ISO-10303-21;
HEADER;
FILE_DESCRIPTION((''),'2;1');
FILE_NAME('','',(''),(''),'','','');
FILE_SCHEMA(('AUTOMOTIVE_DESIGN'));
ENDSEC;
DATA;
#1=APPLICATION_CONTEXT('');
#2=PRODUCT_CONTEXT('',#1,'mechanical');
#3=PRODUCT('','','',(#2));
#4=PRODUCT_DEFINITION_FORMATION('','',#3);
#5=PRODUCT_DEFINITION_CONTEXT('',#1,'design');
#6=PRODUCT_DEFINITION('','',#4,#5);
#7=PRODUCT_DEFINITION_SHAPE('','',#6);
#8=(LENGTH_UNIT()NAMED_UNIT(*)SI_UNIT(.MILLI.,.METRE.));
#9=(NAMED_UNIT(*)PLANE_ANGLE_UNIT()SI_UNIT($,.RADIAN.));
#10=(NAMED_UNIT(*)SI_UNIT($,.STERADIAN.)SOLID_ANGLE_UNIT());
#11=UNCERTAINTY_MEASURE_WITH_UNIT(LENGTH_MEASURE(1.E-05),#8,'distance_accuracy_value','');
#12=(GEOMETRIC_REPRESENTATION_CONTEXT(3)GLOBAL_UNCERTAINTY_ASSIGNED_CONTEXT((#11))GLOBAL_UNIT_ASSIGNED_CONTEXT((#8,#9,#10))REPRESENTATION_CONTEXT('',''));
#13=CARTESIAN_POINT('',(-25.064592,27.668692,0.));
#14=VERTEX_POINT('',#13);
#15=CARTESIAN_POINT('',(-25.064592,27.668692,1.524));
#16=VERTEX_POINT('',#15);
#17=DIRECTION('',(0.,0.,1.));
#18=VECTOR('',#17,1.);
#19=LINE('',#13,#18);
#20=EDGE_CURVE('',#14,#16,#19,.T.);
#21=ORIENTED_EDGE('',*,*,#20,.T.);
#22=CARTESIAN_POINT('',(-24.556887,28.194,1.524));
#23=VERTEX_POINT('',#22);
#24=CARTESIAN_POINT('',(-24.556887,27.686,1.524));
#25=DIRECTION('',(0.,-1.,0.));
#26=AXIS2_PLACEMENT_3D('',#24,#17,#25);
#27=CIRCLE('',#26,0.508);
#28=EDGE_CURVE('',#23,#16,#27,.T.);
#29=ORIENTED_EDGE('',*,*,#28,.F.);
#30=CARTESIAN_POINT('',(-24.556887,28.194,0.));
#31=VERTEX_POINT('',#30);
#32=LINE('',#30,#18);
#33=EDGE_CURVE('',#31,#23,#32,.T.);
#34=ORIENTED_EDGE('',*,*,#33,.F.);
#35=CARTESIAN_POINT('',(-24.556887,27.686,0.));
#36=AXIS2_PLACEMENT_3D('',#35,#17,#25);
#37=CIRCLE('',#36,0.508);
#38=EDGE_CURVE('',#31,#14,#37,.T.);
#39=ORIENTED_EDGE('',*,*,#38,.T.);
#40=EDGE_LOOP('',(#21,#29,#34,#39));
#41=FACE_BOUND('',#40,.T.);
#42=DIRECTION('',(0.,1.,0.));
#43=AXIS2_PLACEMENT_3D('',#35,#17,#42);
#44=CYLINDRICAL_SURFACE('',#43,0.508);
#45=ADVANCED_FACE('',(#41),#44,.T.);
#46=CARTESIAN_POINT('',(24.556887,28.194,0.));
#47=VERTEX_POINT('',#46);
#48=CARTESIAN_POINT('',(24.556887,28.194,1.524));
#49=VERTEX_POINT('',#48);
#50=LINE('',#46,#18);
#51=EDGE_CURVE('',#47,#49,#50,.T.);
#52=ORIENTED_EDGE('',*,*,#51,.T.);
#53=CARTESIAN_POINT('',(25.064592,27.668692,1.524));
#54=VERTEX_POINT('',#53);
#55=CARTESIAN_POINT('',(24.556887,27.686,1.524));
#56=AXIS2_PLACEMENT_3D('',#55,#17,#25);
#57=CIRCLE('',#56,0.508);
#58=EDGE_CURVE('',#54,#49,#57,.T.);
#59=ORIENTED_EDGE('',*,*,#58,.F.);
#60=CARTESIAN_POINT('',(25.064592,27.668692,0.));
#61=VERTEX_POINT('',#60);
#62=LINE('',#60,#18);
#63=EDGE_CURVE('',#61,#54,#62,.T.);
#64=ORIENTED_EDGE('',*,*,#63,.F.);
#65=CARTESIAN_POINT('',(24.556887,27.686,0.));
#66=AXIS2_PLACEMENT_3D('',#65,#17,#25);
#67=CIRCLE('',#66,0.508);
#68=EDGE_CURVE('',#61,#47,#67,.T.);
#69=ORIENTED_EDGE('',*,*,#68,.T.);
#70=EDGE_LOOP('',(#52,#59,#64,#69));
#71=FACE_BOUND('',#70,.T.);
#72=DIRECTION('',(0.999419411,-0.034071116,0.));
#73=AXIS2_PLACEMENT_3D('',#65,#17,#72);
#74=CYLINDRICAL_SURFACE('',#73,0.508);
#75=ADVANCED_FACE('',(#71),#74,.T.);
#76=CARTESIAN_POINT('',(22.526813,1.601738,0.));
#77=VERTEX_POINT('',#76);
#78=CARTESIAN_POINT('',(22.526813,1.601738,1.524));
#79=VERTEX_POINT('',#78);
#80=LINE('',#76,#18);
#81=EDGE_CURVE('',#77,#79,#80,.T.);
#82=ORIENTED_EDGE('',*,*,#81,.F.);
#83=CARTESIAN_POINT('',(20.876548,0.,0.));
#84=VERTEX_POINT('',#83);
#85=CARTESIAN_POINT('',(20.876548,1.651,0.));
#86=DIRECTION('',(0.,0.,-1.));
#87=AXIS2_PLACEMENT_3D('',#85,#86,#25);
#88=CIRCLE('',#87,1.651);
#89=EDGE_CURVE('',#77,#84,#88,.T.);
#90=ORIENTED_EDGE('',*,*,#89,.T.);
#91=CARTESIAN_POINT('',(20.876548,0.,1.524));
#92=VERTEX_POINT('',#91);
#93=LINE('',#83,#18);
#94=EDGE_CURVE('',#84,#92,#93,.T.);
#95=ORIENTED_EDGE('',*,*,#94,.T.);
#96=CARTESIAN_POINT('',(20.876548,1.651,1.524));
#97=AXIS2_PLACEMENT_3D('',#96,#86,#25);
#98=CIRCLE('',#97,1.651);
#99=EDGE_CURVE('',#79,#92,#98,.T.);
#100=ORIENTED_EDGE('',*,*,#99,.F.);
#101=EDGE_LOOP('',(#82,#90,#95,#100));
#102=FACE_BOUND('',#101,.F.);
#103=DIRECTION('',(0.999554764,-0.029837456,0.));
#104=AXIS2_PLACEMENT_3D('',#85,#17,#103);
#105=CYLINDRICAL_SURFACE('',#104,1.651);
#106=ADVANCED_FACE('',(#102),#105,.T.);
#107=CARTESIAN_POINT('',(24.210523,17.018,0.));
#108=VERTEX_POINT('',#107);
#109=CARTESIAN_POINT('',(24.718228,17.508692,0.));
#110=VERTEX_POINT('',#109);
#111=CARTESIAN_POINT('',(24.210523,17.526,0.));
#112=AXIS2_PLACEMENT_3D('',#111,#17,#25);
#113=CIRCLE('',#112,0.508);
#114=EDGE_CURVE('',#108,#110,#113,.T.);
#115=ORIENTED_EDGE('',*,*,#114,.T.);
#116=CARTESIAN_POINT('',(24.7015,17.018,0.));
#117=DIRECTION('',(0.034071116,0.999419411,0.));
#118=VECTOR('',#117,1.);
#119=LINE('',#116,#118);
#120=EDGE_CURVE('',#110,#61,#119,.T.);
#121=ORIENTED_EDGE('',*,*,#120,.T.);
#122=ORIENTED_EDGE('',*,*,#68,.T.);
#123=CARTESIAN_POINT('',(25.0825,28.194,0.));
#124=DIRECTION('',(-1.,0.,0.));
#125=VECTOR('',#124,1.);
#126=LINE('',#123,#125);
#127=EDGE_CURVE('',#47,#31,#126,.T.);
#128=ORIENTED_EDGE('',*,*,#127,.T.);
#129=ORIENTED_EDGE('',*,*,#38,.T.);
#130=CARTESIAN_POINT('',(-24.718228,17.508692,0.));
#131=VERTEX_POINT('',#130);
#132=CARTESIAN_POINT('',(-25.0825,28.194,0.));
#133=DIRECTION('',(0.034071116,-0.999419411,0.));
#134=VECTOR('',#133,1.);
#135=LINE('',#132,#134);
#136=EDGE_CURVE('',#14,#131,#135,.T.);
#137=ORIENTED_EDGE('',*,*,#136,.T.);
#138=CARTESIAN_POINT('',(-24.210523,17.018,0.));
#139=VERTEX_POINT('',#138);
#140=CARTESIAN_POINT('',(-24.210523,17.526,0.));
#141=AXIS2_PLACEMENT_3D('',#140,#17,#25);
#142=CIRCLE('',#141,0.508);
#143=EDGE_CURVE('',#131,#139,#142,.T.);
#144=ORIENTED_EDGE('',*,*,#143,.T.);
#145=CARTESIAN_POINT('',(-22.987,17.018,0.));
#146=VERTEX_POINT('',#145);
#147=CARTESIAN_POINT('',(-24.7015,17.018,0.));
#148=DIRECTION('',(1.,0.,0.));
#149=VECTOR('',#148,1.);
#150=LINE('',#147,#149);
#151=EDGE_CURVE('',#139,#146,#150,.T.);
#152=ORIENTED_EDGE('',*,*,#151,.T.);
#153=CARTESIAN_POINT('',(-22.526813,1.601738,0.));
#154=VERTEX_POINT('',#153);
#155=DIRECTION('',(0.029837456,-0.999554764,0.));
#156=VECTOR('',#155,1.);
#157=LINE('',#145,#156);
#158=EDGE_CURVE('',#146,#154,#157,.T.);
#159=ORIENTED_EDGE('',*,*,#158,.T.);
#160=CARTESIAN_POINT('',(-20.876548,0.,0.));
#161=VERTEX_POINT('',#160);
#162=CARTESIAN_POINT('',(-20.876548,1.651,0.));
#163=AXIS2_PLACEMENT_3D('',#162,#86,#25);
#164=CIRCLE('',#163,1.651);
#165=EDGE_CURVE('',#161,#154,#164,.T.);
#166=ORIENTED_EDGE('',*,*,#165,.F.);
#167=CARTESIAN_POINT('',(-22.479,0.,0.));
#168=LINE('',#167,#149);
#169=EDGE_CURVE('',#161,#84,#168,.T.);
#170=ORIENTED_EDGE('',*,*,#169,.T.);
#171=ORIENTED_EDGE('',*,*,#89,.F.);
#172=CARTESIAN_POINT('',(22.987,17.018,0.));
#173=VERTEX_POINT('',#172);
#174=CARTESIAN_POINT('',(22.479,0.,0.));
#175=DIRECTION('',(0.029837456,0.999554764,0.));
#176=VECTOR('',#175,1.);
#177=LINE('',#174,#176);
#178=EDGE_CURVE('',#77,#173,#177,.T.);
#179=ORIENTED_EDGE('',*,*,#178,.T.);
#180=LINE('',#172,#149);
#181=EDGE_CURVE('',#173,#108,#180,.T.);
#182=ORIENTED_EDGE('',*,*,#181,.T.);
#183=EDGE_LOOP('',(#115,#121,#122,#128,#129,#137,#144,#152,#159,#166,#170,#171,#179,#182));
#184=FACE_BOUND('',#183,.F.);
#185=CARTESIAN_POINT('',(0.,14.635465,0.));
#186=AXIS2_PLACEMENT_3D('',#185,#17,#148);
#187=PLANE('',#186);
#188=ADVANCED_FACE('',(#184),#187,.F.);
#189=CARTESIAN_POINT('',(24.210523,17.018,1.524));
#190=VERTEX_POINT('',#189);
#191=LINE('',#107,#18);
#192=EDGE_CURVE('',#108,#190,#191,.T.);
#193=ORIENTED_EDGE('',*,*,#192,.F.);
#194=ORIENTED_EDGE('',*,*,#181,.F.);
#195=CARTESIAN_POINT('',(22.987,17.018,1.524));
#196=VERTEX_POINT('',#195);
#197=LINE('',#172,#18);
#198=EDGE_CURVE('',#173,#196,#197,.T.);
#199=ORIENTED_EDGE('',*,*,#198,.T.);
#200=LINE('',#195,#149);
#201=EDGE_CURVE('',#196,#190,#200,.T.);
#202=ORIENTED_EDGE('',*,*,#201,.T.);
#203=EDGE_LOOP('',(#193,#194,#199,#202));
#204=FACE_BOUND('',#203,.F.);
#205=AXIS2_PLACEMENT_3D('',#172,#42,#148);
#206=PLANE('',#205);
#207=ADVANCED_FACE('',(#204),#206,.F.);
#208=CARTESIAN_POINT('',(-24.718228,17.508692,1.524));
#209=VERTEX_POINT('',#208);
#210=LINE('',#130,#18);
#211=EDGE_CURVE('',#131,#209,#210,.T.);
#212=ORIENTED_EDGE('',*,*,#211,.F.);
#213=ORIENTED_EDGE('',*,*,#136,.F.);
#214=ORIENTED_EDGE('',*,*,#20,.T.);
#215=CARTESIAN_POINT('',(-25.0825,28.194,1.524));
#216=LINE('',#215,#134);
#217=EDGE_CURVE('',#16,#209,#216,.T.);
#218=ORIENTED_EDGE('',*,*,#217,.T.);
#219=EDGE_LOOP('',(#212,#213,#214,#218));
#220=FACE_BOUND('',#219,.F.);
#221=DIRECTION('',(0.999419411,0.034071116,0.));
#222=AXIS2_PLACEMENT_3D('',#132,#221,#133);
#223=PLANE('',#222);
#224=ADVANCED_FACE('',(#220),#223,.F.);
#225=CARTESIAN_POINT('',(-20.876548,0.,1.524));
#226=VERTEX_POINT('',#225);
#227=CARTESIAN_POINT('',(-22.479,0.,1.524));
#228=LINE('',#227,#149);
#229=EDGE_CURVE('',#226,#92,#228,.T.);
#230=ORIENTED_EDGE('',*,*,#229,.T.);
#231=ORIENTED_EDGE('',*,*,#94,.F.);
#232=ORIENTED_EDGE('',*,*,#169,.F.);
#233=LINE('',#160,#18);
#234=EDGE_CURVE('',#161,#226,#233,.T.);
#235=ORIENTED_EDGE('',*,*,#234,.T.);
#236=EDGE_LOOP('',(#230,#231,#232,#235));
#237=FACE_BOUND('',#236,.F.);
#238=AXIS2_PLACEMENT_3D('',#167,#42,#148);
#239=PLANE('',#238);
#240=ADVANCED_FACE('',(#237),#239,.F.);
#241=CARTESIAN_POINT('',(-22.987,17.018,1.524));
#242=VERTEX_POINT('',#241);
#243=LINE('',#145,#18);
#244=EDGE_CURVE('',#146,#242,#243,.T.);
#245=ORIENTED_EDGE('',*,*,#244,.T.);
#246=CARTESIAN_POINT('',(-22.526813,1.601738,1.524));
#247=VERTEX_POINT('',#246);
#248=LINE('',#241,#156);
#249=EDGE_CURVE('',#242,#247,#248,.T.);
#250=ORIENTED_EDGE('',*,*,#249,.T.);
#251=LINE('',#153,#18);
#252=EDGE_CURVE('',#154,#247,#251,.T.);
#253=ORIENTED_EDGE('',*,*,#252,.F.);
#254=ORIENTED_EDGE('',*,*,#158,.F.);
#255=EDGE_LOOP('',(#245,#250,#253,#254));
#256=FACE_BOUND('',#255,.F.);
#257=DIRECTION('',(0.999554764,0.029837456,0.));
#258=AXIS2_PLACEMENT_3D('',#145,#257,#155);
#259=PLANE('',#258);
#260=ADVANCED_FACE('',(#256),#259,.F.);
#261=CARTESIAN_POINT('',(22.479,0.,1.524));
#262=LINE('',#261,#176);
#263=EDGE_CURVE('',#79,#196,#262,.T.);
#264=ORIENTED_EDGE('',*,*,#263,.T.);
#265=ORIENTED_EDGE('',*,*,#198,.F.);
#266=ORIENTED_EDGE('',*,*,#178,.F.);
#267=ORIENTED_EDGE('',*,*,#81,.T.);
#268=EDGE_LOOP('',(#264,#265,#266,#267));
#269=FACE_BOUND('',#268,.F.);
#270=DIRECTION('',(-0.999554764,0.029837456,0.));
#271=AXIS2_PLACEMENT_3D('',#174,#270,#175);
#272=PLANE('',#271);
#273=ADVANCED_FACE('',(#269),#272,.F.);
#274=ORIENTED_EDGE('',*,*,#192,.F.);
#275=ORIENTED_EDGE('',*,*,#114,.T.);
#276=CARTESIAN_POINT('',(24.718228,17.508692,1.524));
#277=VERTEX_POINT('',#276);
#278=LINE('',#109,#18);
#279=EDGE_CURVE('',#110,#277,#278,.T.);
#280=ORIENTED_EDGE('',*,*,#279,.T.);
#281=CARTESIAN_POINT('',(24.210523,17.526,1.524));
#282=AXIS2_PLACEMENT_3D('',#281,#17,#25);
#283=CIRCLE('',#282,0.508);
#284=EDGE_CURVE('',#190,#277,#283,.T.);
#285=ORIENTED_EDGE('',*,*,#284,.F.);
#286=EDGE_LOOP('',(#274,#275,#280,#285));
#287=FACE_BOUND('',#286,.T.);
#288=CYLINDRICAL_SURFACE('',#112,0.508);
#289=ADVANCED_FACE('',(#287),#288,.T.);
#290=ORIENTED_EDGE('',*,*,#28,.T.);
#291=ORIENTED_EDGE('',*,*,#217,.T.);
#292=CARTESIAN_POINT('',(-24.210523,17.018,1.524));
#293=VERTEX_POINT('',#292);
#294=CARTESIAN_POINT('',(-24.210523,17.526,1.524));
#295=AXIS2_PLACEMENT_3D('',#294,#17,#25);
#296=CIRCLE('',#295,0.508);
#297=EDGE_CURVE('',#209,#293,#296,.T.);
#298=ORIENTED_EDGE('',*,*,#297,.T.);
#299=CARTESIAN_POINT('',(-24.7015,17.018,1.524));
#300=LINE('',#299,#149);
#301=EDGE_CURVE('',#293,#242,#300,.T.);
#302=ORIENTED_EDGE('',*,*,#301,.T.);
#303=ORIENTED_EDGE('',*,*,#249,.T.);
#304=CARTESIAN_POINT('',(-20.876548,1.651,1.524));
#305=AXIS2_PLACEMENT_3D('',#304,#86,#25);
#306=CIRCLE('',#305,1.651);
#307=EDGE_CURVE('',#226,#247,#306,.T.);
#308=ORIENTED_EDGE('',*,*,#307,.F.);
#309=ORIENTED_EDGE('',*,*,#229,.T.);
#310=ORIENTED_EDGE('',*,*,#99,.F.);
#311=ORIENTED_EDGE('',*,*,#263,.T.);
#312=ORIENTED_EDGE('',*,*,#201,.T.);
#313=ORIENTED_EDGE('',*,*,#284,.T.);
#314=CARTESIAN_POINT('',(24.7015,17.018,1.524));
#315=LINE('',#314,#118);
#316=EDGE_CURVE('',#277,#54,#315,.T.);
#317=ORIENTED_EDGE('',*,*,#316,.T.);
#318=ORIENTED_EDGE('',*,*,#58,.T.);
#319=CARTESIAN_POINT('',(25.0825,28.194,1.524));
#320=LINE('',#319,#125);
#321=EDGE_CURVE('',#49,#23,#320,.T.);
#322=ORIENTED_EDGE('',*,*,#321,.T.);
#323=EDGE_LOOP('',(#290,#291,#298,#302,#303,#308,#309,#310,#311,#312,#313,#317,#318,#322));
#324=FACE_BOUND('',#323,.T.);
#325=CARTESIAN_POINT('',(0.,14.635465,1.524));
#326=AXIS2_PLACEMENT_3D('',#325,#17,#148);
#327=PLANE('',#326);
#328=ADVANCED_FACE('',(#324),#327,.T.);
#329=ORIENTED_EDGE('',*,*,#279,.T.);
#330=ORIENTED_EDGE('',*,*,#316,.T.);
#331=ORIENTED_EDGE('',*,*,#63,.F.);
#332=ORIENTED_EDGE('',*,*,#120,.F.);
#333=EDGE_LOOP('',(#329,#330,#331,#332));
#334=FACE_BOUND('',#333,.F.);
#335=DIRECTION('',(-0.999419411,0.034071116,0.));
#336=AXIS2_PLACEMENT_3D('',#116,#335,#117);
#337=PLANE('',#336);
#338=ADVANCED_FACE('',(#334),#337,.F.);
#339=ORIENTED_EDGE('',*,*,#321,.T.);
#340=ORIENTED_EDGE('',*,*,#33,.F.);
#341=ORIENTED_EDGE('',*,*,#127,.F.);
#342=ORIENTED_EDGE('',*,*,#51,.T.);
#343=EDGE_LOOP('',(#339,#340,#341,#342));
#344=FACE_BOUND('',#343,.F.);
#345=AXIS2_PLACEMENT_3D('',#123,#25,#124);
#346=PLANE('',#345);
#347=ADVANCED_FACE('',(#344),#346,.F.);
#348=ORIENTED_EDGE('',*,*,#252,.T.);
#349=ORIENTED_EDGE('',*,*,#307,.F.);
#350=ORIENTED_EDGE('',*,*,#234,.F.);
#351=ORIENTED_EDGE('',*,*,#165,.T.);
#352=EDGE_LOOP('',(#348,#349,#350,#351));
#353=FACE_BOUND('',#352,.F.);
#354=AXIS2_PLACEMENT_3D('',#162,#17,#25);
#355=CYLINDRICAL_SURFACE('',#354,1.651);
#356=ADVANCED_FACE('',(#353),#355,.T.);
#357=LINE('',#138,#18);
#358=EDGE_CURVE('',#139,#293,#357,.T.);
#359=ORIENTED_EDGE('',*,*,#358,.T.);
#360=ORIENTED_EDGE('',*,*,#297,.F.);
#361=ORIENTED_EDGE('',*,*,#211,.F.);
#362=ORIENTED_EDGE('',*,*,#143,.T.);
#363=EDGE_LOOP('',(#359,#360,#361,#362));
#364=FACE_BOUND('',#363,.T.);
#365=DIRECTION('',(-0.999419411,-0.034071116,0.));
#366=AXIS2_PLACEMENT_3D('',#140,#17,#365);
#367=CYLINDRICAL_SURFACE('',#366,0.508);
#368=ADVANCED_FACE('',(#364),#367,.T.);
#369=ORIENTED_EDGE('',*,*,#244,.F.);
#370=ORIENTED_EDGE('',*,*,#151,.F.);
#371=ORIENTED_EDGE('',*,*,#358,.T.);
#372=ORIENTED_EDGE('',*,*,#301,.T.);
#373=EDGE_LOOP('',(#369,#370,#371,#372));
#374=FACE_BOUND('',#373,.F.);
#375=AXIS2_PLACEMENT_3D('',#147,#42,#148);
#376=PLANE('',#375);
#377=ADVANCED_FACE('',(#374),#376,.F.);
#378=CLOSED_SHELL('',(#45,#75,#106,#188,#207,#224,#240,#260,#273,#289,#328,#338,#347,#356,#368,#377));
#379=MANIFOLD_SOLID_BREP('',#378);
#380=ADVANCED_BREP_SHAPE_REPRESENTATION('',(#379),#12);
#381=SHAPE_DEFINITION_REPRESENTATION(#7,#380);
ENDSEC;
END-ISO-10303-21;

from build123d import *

# Parameters (mm, degrees)
F1_DEPTH = 1.524
F2_R     = 0.508
F3_R     = 1.651


with BuildPart() as f1:
    # F0 (on Top) → F1 (new body)
    with BuildSketch(Plane.XY):
        Polygon((-22.987, 17.018), (-22.479, 0), (22.479, 0), (22.987, 17.018), (24.7015, 17.018), (25.0825, 28.194), (-25.0825, 28.194), (-24.7015, 17.018), align=None)
    extrude(amount=F1_DEPTH)

    # F2
    f2_edges = [f1.edges().sort_by_distance(p)[0] for p in [
        (25.0825, 28.194, 0.762),
        (24.7015, 17.018, 0.762),
        (-25.0825, 28.194, 0.762),
        (-24.7015, 17.018, 0.762),
    ]]
    fillet(f2_edges, radius=F2_R)

    # F3
    f3_edges = [f1.edges().sort_by_distance(p)[0] for p in [
        (-22.479, 0, 0.762),
        (22.479, 0, 0.762),
    ]]
    fillet(f3_edges, radius=F3_R)


solid = f1.part
